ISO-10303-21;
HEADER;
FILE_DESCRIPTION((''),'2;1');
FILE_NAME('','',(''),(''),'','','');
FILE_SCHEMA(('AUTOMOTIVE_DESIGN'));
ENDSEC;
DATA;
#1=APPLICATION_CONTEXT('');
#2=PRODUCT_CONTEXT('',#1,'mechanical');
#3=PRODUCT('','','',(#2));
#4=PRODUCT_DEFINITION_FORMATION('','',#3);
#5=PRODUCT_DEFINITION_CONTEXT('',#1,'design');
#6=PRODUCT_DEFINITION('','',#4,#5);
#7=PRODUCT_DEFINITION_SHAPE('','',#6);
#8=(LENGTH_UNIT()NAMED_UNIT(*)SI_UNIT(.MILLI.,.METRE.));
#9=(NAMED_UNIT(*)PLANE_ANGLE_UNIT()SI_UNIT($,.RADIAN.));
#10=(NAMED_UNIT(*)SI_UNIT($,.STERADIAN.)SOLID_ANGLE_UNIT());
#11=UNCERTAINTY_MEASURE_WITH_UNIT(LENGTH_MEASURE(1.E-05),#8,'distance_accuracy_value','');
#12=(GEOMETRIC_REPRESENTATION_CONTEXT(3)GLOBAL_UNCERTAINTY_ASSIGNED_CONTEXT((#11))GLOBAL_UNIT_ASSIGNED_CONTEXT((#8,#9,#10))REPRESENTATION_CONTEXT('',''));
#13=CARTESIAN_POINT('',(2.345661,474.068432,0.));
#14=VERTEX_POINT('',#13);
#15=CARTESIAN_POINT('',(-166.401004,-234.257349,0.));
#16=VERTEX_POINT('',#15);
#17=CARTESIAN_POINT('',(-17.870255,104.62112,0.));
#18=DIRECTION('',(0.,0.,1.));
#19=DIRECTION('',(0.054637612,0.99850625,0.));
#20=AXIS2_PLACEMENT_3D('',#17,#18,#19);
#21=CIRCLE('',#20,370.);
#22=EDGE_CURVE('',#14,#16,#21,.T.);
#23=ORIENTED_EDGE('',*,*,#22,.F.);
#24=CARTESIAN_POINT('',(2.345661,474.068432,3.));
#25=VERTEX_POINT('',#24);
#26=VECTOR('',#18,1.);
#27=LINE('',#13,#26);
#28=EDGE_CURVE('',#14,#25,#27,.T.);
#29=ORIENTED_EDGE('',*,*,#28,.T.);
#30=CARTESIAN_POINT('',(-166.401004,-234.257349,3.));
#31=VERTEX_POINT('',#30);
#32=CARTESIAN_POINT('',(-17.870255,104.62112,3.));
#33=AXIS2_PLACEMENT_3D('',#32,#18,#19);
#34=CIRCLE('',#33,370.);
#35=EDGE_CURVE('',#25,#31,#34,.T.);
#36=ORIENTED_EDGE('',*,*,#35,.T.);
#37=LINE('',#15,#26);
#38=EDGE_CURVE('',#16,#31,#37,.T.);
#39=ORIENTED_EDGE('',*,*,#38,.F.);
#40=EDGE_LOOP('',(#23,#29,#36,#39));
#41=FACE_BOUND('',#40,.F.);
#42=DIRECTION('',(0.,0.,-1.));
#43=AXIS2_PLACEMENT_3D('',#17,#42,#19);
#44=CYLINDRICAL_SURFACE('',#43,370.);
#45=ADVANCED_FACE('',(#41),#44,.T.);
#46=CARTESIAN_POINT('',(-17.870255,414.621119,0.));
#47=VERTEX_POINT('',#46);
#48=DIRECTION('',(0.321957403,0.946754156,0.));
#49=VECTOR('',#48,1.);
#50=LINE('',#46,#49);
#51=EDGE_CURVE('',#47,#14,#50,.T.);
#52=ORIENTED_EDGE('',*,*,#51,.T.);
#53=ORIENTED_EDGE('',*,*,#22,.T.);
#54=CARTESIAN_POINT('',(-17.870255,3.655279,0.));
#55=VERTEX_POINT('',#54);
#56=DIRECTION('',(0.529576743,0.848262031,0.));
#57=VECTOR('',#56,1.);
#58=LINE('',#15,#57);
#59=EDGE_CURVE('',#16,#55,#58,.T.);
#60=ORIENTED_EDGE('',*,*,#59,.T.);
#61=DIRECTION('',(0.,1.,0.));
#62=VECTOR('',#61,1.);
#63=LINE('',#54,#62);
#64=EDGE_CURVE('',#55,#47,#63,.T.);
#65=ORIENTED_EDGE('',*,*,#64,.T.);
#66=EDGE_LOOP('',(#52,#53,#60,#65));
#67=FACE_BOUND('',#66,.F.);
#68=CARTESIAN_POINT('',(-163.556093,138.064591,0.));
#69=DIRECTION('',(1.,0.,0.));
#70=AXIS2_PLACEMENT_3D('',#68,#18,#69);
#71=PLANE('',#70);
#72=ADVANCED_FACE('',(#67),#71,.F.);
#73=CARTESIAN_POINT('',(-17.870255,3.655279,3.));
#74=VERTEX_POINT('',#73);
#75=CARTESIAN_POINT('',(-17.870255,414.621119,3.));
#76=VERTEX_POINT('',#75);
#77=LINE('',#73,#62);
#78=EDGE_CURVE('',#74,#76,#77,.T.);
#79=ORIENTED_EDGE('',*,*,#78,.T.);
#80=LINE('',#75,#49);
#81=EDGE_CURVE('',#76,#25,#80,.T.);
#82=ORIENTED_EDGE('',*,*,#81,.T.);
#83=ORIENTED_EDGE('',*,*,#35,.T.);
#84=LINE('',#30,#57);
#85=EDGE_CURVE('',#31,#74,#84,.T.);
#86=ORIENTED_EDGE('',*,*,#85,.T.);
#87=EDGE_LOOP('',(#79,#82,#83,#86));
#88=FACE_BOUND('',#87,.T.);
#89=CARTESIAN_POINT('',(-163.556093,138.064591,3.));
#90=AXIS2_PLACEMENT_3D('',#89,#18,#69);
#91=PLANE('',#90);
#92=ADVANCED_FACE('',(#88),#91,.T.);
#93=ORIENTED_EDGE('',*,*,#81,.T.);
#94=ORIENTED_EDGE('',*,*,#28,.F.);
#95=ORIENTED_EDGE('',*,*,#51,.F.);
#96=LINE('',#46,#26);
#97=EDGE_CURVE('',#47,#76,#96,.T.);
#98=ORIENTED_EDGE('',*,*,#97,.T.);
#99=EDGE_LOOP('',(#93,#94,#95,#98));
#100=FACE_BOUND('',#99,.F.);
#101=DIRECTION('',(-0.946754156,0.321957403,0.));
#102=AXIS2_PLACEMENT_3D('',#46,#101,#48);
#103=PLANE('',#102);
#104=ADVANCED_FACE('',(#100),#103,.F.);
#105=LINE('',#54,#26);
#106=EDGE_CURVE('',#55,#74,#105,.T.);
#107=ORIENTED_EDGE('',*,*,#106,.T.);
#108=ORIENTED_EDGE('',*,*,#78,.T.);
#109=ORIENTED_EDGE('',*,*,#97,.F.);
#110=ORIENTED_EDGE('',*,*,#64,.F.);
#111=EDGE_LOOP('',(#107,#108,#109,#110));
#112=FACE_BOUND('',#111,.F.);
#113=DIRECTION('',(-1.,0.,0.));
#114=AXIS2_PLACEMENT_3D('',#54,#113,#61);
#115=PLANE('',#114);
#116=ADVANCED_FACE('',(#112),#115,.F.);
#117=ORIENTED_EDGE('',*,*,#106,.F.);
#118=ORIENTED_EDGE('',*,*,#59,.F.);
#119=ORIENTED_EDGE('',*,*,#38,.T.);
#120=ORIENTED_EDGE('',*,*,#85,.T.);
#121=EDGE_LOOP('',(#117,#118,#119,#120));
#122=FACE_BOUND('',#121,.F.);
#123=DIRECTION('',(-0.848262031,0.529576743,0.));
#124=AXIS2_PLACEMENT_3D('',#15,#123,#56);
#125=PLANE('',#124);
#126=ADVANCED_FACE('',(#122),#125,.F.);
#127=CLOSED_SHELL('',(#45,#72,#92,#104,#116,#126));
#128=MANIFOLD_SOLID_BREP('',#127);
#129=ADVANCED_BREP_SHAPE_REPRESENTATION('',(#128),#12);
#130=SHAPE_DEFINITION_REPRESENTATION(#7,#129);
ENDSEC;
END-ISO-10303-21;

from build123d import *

# Parameters (mm, degrees)
F1_DEPTH = 3


with BuildPart() as f1:
    # F0 (on Top) → F1 (new body)
    with BuildSketch(Plane.XY):
        with BuildLine():
            Line((-17.870255, 414.621119), (2.345661, 474.068432))
            ThreePointArc((2.345661, 474.068432), (-377.797369, 190.367681), (-166.401004, -234.257349))
            Line((-166.401004, -234.257349), (-17.870255, 3.655279))
            Line((-17.870255, 3.655279), (-17.870255, 104.621119))
            Line((-17.870255, 104.621119), (-17.870255, 414.621119))
        make_face()
    extrude(amount=F1_DEPTH)


solid = f1.part
